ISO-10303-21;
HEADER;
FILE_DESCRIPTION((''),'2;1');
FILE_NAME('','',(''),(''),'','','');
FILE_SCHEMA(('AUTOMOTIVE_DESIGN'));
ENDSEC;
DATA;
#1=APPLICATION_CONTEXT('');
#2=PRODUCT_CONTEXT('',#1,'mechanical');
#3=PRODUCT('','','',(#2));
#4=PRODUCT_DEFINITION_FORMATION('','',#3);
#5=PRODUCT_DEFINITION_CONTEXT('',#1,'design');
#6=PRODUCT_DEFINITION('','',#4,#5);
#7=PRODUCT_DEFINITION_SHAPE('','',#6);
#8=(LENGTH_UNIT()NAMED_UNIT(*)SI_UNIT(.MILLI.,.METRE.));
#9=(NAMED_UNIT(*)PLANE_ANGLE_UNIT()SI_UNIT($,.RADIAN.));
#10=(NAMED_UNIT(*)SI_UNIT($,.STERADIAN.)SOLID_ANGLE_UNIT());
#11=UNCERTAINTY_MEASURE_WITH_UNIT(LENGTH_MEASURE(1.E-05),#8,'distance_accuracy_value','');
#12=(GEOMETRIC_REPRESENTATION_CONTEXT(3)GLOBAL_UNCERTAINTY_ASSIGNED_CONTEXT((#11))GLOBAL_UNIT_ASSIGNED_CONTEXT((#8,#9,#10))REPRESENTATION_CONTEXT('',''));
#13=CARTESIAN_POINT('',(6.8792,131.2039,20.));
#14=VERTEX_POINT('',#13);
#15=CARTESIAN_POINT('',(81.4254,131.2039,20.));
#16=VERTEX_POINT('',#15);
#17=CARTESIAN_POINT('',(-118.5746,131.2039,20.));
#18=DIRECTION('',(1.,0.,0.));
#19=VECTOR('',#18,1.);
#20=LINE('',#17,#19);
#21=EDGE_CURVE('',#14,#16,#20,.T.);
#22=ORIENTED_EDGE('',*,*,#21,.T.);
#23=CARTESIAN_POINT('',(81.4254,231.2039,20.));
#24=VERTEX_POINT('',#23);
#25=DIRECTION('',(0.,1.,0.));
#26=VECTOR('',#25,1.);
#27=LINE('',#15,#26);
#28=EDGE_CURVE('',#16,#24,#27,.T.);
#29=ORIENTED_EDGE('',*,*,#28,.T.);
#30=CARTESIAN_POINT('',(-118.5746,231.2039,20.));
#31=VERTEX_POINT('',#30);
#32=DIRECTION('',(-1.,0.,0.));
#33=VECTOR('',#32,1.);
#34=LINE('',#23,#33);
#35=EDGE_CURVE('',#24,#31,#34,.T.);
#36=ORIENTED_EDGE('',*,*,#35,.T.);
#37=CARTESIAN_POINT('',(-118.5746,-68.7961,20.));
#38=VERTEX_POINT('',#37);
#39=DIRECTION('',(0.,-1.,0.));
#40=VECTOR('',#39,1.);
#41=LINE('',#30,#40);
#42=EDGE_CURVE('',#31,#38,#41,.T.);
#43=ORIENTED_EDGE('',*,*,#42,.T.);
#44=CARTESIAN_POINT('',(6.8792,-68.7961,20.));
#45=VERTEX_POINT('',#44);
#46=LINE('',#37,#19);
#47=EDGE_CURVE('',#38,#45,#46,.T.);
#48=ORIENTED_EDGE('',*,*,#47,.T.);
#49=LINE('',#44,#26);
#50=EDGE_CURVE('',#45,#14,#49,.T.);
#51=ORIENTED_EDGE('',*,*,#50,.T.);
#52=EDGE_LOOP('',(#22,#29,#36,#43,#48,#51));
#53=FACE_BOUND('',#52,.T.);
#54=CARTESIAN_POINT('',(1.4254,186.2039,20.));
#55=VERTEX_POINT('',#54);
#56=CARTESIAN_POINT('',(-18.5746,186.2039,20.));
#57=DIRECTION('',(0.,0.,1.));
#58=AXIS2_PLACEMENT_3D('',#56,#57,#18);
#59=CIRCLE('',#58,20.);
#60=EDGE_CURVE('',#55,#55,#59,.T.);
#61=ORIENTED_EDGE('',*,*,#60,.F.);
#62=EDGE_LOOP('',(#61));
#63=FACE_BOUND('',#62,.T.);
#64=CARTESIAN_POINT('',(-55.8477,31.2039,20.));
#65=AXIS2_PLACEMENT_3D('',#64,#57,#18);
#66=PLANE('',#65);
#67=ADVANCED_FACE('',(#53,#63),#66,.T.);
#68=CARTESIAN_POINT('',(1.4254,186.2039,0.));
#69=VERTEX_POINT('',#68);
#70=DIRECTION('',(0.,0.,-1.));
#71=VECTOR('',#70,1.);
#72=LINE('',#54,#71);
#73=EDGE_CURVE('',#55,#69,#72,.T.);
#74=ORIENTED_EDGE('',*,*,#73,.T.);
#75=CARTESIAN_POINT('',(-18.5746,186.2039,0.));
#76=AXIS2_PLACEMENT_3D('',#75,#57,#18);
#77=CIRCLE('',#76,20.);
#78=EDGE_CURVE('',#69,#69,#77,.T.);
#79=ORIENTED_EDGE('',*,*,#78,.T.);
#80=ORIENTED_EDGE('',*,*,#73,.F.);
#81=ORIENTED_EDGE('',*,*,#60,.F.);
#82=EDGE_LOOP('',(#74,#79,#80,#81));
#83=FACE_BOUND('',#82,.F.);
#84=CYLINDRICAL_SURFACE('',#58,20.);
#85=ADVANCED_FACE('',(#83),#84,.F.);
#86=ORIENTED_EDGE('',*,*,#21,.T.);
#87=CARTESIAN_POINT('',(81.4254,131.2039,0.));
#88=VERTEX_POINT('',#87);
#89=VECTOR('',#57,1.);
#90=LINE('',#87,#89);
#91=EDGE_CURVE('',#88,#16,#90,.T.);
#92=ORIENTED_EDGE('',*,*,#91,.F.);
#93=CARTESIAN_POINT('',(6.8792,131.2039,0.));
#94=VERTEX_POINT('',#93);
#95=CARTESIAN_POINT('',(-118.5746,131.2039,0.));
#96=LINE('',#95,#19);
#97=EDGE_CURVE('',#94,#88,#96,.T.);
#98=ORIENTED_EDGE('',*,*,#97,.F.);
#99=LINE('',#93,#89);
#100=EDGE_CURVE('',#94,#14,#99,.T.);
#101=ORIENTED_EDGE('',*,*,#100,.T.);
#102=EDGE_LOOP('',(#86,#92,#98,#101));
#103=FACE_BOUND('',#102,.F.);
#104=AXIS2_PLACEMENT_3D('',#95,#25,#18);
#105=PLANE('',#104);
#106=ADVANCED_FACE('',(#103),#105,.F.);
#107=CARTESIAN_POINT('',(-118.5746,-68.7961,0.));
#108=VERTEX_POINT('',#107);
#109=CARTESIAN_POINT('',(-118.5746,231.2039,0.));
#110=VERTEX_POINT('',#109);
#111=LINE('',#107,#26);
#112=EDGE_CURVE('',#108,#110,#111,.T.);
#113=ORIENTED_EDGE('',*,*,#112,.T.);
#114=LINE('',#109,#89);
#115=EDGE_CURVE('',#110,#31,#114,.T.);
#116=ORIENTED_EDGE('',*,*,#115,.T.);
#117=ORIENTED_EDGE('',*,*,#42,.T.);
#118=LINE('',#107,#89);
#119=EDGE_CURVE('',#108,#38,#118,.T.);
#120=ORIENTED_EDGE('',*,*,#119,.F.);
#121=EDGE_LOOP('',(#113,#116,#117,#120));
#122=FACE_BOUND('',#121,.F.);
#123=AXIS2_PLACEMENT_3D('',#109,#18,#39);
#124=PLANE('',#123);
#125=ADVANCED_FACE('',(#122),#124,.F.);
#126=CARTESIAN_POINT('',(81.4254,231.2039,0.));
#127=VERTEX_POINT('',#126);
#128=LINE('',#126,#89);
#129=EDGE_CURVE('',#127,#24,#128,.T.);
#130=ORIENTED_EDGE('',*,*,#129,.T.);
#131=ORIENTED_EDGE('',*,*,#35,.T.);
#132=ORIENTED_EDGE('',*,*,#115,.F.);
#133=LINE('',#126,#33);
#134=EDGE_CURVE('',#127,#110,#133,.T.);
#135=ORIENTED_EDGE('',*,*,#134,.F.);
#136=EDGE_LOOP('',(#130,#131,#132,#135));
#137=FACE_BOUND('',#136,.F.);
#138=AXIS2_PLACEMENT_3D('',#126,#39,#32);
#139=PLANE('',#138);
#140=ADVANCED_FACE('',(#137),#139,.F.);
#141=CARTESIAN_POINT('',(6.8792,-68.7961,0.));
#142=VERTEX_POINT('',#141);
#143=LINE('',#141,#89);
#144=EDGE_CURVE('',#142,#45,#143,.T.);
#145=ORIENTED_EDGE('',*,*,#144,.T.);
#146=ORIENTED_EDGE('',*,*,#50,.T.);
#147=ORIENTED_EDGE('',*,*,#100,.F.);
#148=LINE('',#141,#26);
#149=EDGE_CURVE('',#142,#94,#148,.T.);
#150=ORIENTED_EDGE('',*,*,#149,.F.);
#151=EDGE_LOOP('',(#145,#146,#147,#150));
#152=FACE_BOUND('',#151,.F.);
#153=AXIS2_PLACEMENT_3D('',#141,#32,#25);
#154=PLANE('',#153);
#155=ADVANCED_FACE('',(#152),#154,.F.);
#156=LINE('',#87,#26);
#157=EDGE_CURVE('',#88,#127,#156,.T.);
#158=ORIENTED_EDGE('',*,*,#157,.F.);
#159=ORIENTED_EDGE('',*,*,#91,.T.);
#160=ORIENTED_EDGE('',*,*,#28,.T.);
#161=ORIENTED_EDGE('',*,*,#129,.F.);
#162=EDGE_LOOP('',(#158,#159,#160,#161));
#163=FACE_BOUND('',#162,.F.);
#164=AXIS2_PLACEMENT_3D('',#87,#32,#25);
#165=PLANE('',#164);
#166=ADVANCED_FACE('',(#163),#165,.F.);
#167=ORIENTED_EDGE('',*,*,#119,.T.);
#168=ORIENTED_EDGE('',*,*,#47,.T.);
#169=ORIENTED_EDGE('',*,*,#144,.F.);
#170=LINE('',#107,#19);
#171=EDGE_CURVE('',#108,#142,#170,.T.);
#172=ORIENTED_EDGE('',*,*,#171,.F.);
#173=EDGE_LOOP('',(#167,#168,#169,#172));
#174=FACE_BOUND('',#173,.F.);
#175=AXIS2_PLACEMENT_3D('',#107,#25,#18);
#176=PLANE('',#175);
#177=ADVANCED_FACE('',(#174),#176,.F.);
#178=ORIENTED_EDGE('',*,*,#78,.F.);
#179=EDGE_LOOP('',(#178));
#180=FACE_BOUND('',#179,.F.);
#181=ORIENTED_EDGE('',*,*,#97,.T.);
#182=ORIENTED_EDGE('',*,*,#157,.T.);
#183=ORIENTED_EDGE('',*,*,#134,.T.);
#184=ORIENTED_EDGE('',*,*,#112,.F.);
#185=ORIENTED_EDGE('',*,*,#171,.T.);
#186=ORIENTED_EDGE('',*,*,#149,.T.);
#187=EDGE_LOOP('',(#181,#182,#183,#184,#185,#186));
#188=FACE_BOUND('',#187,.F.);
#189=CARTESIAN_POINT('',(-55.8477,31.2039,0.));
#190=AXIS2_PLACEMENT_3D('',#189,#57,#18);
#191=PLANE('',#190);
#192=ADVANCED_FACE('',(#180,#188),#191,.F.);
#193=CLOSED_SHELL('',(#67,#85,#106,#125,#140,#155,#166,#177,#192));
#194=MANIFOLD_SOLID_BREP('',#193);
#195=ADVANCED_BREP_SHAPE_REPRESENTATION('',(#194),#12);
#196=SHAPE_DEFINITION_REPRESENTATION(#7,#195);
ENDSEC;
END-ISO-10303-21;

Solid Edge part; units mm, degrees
sketch "Sketch1" plane through (0, 0, 0) normal (0, 0, 1) x (1, 0, 0)
  line L0 (-118.5746, 131.2039) -> (-118.5746, -68.7961)
  line L1 (-118.5746, -68.7961) -> (6.8792, -68.7961)
  line L2 (6.8792, -68.7961) -> (6.8792, 131.2039)
  line L3 (6.8792, 131.2039) -> (-118.5746, 131.2039)
  line L4 (-118.5746, 131.2039) -> (81.4254, 131.2039)
  line L5 (81.4254, 131.2039) -> (81.4254, 231.2039)
  line L6 (81.4254, 231.2039) -> (-118.5746, 231.2039)
  line L7 (-118.5746, 231.2039) -> (-118.5746, 131.2039)
  dimension "D1" = 200
  dimension "D2" = 100
  dimension "D3" = 200
extrude "Protrusion1" add sketch "Sketch1" along normal blind 20
sketch "Sketch2" plane through (-18.5746, 131.2039, 20) normal (0, 0, 1) x (1, 0, 0)
  circle A0 centre (0, 55) radius 20
  dimension "D1" = 45
extrude "Cutout1" cut sketch "Sketch2" against normal through all
